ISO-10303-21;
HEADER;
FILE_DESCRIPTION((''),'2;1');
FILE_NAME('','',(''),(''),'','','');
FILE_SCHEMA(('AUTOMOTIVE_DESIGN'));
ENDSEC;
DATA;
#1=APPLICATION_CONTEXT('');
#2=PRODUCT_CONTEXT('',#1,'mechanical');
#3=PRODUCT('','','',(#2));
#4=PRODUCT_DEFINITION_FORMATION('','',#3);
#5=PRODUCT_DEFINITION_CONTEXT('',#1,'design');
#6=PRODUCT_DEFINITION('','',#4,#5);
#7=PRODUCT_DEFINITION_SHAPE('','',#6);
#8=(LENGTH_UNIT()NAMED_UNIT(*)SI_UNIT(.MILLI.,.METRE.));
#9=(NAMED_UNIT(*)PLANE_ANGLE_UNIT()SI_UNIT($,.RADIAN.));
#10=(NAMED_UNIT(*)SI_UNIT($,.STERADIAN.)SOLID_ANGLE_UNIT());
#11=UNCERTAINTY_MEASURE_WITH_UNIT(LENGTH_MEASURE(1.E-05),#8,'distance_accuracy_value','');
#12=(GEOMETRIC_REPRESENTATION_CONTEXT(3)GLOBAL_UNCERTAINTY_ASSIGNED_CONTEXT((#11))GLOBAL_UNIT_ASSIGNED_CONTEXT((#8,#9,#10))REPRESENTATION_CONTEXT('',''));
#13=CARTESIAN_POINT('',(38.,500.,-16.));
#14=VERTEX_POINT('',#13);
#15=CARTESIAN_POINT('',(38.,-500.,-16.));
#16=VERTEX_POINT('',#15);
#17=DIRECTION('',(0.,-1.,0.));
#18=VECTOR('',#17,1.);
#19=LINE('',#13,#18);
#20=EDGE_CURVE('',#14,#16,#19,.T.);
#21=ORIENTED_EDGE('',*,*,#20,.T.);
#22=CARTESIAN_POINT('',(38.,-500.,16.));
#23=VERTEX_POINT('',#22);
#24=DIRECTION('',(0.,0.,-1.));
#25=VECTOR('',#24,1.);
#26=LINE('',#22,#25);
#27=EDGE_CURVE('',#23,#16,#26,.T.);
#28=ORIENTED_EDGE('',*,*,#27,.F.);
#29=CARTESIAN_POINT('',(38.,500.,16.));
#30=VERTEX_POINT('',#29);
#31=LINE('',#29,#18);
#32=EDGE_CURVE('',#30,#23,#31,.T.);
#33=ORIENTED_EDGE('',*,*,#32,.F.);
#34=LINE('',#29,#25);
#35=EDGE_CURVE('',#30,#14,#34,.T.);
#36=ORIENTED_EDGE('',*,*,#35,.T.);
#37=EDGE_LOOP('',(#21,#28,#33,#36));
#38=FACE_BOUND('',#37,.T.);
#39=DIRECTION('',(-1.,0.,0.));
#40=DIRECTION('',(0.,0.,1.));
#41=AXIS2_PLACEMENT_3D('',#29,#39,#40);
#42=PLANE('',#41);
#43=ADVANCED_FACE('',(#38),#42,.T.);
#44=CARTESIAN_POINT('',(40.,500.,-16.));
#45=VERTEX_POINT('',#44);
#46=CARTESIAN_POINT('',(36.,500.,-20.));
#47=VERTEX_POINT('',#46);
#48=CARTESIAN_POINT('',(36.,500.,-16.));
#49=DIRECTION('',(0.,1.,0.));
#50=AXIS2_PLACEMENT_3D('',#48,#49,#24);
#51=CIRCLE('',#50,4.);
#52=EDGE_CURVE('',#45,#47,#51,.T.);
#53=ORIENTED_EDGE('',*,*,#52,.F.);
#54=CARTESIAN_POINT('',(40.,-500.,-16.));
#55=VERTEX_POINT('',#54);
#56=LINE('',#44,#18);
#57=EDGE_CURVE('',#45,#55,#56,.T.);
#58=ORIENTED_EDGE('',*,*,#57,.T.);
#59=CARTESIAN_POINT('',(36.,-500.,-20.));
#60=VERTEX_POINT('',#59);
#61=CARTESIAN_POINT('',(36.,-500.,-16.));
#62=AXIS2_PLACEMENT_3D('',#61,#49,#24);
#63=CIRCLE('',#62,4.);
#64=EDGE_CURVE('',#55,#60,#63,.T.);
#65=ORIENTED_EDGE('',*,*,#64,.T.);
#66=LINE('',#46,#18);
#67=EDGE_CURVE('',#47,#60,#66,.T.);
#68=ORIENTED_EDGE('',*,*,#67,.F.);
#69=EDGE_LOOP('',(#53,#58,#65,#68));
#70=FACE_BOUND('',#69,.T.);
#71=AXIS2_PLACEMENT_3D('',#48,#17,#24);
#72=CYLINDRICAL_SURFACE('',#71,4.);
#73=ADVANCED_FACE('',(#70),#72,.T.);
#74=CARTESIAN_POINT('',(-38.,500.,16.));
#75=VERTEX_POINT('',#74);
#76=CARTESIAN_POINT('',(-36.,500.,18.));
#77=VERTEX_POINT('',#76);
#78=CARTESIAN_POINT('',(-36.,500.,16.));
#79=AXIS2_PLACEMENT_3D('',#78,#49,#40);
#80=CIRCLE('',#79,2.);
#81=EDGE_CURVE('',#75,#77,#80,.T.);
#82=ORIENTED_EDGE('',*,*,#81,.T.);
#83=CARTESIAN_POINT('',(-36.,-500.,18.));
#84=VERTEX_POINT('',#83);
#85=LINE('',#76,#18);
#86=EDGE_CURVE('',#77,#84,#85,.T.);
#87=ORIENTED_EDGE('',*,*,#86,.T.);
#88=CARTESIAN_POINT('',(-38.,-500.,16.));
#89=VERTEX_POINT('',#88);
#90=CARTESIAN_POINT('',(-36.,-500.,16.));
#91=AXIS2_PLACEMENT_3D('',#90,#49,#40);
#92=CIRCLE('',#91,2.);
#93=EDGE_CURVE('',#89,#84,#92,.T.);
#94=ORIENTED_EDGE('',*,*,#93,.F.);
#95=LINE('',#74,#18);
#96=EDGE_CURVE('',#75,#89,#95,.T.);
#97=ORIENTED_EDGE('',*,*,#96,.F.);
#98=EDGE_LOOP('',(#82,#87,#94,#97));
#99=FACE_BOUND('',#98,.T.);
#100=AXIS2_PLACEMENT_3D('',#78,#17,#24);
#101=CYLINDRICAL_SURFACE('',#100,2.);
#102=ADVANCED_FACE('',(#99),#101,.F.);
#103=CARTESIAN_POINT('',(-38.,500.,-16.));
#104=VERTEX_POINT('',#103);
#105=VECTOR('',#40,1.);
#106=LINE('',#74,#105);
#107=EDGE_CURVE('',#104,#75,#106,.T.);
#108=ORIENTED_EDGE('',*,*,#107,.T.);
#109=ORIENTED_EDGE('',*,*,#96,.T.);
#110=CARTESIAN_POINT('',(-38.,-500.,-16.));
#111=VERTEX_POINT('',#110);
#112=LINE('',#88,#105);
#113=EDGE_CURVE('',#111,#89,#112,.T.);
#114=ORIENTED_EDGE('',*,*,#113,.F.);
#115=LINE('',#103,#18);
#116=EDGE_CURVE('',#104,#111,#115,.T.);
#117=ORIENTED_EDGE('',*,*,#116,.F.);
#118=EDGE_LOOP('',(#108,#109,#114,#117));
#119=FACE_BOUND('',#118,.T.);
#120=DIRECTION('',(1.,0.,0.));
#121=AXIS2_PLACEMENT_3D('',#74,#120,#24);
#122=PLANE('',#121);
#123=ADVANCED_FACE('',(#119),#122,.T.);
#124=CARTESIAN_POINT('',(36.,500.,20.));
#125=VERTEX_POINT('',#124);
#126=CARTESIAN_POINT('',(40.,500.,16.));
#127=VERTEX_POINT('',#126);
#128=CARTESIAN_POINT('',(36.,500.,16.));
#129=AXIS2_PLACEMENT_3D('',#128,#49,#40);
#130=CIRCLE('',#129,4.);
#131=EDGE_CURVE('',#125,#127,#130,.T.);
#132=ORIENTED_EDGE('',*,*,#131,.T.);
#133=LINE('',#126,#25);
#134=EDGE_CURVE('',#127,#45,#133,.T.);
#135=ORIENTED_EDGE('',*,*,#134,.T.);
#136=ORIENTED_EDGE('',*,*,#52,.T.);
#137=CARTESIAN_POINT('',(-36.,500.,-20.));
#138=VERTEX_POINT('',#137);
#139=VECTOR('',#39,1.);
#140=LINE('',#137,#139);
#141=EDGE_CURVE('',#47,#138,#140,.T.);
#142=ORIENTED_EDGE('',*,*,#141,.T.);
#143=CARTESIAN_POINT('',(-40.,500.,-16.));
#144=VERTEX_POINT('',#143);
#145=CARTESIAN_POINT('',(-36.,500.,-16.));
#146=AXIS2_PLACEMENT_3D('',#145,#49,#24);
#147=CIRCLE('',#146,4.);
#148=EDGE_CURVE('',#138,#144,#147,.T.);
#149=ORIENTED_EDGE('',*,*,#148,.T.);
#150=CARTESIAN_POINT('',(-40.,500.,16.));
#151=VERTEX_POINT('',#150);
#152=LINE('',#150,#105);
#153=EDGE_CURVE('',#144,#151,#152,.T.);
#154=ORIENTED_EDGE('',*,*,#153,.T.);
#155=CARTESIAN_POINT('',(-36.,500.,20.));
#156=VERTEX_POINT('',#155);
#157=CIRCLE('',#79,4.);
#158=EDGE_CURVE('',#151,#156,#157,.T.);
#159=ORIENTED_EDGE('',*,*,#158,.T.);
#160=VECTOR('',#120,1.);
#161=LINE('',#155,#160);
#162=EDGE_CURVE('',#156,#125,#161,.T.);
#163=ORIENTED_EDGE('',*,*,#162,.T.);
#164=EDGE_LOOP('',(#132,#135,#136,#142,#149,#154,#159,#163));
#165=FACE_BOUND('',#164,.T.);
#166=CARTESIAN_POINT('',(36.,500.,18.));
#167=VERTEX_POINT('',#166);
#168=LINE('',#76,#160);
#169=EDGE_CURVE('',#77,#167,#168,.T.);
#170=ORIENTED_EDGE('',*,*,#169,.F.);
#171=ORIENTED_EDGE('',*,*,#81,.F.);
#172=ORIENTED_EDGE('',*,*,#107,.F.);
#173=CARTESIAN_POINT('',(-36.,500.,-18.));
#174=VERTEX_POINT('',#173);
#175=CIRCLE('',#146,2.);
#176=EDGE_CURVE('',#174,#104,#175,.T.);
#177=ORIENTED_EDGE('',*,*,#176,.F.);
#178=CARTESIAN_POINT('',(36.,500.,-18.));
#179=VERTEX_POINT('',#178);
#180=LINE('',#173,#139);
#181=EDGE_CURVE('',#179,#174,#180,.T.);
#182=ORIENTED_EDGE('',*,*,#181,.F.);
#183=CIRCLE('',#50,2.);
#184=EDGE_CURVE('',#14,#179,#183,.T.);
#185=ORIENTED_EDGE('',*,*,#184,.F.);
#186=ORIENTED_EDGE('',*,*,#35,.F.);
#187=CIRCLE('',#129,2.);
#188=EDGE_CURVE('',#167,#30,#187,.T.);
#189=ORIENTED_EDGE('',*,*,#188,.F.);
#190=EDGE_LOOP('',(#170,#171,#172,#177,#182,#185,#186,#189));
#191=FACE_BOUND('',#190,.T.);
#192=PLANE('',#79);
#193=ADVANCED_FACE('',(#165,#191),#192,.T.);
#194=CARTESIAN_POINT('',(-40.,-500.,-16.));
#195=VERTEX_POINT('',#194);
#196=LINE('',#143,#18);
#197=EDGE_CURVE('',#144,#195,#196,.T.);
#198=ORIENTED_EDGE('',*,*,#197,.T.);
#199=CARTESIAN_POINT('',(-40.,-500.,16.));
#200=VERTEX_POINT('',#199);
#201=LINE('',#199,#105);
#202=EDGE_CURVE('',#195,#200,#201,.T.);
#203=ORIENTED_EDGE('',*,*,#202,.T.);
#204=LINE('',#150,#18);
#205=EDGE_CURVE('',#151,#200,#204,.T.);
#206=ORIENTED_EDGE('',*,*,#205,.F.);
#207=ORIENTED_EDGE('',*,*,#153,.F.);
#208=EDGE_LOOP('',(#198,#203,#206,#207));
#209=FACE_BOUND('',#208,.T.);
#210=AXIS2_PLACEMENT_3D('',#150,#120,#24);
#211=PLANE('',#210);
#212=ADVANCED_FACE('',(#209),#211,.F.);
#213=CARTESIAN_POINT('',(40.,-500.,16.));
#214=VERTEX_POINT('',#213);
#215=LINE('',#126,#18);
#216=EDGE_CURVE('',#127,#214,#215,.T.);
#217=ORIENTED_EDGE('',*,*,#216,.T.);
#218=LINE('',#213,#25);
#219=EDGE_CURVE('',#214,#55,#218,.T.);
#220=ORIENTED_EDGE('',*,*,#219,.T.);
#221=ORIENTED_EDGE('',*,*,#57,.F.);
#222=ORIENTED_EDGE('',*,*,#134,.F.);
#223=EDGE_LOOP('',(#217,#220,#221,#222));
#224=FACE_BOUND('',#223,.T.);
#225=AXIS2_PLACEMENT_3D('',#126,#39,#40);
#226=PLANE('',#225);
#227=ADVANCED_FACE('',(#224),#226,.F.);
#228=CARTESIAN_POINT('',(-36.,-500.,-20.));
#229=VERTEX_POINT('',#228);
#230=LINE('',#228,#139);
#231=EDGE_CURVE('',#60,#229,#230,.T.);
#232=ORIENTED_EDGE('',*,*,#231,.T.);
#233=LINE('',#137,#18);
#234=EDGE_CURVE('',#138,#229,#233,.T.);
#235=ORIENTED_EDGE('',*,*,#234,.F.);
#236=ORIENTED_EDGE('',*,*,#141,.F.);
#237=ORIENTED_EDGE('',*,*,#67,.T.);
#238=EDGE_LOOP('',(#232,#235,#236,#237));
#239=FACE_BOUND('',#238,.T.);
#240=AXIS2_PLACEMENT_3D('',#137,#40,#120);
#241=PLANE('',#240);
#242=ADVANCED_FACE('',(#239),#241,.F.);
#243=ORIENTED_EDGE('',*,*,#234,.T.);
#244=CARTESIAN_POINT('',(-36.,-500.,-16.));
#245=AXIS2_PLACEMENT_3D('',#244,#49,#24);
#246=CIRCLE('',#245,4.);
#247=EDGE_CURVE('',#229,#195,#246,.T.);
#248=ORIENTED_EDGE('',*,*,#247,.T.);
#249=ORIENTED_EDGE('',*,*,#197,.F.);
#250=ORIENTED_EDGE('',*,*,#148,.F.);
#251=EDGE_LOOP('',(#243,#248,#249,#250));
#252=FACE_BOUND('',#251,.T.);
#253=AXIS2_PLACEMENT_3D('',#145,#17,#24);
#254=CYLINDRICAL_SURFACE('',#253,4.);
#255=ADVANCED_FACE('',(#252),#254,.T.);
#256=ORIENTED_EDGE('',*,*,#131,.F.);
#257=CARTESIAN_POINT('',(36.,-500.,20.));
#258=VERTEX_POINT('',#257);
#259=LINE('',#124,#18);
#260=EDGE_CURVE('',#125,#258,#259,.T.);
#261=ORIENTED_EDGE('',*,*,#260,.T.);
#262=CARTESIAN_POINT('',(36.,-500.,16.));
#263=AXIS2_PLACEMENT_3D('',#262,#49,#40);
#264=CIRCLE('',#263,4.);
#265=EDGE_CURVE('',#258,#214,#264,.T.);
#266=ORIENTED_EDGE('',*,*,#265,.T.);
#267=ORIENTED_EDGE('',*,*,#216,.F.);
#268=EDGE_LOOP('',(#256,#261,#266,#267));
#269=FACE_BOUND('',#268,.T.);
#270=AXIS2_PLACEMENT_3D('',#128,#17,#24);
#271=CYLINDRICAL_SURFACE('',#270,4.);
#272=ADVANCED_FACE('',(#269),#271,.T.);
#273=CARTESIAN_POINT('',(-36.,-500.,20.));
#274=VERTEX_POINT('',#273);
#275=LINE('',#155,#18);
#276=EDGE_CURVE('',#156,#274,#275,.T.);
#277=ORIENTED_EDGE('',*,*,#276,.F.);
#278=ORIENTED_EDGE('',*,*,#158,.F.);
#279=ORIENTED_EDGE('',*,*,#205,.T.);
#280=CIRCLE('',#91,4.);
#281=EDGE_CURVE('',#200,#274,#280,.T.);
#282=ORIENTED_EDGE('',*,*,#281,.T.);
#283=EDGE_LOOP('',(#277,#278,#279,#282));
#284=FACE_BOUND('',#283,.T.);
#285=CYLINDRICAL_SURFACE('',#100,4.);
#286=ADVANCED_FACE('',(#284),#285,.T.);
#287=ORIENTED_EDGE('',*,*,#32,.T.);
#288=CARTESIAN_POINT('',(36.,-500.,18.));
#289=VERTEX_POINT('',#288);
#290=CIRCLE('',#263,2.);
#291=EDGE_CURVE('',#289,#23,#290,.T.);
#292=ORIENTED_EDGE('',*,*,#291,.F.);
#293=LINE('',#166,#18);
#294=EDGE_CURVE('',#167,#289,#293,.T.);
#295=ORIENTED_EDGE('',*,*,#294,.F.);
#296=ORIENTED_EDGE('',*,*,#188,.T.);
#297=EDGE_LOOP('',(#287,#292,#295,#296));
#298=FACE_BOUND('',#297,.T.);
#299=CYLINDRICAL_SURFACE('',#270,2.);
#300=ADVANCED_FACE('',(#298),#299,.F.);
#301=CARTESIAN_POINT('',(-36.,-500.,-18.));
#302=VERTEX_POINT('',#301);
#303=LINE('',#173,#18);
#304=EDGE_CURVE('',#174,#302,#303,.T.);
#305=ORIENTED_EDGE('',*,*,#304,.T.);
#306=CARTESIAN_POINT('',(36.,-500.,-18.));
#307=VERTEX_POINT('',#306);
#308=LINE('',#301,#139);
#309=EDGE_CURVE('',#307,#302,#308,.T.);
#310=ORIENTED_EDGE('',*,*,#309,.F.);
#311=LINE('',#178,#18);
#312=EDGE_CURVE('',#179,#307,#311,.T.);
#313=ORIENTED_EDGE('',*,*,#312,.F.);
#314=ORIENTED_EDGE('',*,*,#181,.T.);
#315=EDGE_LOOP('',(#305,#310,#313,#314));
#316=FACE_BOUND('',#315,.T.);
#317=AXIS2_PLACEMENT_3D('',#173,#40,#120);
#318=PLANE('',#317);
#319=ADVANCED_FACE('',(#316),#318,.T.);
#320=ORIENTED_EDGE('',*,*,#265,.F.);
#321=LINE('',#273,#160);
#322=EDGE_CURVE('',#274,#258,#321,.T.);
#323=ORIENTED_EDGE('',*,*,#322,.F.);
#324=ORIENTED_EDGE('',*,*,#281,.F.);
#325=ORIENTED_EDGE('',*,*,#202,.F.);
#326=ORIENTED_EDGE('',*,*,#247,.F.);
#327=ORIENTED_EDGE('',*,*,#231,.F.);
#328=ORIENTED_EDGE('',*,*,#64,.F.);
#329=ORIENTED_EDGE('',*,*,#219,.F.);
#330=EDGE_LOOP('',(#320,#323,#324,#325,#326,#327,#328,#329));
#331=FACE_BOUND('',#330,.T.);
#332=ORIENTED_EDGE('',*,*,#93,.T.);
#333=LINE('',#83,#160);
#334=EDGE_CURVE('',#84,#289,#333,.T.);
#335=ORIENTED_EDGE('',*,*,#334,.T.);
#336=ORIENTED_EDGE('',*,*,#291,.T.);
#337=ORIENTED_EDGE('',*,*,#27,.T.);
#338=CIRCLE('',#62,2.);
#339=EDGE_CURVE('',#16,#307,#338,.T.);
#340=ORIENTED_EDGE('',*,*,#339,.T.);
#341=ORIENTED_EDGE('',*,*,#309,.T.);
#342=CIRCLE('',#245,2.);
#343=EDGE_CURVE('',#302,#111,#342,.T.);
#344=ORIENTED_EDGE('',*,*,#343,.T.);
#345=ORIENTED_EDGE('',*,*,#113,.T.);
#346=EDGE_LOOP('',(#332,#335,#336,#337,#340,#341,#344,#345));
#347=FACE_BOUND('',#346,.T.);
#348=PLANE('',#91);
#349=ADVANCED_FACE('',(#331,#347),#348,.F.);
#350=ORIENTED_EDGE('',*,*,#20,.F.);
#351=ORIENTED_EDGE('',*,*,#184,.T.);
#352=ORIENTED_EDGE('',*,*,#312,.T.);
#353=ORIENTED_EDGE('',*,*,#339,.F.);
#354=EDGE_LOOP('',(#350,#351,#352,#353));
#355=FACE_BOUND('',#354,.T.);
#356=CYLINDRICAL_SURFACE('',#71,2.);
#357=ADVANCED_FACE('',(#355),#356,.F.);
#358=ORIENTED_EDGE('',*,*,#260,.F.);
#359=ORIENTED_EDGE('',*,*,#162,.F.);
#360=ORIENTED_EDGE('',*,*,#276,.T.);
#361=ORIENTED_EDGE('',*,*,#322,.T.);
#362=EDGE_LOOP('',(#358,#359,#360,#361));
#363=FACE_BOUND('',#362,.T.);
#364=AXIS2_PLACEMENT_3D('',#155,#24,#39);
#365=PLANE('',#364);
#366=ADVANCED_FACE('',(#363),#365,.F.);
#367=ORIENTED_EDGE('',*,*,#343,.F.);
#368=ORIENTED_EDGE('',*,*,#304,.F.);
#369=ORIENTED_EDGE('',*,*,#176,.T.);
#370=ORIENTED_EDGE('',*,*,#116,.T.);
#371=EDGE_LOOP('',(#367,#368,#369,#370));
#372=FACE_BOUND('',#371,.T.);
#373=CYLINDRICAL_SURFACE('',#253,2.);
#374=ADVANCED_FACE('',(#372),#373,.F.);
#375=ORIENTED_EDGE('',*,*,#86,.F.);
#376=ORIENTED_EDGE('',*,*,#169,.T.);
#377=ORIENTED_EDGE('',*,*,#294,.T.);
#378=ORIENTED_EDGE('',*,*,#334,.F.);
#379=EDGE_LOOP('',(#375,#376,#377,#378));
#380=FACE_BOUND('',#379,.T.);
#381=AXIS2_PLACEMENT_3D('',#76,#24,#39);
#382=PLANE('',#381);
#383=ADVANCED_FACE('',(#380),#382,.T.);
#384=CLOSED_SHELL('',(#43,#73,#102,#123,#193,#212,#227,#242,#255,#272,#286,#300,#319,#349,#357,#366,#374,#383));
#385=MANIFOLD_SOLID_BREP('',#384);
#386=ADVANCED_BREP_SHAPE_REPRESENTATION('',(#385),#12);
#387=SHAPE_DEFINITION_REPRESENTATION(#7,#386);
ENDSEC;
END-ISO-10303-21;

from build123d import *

# Parameters (mm, degrees)
BOSS_EXTRUDE1_DEPTH = 500


with BuildPart() as part:
    # Sketch1 → Boss-Extrude1 (new, symmetric)
    with BuildSketch(Plane(origin=(0, 0, 0), x_dir=(1, 0, 0), z_dir=(0, 1, 0))):
        with BuildLine():
            Line((-36, -20), (36, -20))
            ThreePointArc((36, -20), (38.828427125, -18.828427125), (40, -16))
            Line((40, -16), (40, 16))
            ThreePointArc((40, 16), (38.828427125, 18.828427125), (36, 20))
            Line((36, 20), (-36, 20))
            ThreePointArc((-36, 20), (-38.828427125, 18.828427125), (-40, 16))
            Line((-40, 16), (-40, -16))
            ThreePointArc((-40, -16), (-38.828427125, -18.828427125), (-36, -20))
        make_face()
        with BuildLine():
            Line((-38, -16), (-38, 16))
            ThreePointArc((-38, 16), (-37.414213562, 17.414213562), (-36, 18))
            Line((-36, 18), (36, 18))
            ThreePointArc((36, 18), (37.414213562, 17.414213562), (38, 16))
            Line((38, 16), (38, -16))
            ThreePointArc((38, -16), (37.414213562, -17.414213562), (36, -18))
            Line((36, -18), (-36, -18))
            ThreePointArc((-36, -18), (-37.414213562, -17.414213562), (-38, -16))
        make_face(mode=Mode.SUBTRACT)
    extrude(amount=BOSS_EXTRUDE1_DEPTH, both=True)


solid = part.part
